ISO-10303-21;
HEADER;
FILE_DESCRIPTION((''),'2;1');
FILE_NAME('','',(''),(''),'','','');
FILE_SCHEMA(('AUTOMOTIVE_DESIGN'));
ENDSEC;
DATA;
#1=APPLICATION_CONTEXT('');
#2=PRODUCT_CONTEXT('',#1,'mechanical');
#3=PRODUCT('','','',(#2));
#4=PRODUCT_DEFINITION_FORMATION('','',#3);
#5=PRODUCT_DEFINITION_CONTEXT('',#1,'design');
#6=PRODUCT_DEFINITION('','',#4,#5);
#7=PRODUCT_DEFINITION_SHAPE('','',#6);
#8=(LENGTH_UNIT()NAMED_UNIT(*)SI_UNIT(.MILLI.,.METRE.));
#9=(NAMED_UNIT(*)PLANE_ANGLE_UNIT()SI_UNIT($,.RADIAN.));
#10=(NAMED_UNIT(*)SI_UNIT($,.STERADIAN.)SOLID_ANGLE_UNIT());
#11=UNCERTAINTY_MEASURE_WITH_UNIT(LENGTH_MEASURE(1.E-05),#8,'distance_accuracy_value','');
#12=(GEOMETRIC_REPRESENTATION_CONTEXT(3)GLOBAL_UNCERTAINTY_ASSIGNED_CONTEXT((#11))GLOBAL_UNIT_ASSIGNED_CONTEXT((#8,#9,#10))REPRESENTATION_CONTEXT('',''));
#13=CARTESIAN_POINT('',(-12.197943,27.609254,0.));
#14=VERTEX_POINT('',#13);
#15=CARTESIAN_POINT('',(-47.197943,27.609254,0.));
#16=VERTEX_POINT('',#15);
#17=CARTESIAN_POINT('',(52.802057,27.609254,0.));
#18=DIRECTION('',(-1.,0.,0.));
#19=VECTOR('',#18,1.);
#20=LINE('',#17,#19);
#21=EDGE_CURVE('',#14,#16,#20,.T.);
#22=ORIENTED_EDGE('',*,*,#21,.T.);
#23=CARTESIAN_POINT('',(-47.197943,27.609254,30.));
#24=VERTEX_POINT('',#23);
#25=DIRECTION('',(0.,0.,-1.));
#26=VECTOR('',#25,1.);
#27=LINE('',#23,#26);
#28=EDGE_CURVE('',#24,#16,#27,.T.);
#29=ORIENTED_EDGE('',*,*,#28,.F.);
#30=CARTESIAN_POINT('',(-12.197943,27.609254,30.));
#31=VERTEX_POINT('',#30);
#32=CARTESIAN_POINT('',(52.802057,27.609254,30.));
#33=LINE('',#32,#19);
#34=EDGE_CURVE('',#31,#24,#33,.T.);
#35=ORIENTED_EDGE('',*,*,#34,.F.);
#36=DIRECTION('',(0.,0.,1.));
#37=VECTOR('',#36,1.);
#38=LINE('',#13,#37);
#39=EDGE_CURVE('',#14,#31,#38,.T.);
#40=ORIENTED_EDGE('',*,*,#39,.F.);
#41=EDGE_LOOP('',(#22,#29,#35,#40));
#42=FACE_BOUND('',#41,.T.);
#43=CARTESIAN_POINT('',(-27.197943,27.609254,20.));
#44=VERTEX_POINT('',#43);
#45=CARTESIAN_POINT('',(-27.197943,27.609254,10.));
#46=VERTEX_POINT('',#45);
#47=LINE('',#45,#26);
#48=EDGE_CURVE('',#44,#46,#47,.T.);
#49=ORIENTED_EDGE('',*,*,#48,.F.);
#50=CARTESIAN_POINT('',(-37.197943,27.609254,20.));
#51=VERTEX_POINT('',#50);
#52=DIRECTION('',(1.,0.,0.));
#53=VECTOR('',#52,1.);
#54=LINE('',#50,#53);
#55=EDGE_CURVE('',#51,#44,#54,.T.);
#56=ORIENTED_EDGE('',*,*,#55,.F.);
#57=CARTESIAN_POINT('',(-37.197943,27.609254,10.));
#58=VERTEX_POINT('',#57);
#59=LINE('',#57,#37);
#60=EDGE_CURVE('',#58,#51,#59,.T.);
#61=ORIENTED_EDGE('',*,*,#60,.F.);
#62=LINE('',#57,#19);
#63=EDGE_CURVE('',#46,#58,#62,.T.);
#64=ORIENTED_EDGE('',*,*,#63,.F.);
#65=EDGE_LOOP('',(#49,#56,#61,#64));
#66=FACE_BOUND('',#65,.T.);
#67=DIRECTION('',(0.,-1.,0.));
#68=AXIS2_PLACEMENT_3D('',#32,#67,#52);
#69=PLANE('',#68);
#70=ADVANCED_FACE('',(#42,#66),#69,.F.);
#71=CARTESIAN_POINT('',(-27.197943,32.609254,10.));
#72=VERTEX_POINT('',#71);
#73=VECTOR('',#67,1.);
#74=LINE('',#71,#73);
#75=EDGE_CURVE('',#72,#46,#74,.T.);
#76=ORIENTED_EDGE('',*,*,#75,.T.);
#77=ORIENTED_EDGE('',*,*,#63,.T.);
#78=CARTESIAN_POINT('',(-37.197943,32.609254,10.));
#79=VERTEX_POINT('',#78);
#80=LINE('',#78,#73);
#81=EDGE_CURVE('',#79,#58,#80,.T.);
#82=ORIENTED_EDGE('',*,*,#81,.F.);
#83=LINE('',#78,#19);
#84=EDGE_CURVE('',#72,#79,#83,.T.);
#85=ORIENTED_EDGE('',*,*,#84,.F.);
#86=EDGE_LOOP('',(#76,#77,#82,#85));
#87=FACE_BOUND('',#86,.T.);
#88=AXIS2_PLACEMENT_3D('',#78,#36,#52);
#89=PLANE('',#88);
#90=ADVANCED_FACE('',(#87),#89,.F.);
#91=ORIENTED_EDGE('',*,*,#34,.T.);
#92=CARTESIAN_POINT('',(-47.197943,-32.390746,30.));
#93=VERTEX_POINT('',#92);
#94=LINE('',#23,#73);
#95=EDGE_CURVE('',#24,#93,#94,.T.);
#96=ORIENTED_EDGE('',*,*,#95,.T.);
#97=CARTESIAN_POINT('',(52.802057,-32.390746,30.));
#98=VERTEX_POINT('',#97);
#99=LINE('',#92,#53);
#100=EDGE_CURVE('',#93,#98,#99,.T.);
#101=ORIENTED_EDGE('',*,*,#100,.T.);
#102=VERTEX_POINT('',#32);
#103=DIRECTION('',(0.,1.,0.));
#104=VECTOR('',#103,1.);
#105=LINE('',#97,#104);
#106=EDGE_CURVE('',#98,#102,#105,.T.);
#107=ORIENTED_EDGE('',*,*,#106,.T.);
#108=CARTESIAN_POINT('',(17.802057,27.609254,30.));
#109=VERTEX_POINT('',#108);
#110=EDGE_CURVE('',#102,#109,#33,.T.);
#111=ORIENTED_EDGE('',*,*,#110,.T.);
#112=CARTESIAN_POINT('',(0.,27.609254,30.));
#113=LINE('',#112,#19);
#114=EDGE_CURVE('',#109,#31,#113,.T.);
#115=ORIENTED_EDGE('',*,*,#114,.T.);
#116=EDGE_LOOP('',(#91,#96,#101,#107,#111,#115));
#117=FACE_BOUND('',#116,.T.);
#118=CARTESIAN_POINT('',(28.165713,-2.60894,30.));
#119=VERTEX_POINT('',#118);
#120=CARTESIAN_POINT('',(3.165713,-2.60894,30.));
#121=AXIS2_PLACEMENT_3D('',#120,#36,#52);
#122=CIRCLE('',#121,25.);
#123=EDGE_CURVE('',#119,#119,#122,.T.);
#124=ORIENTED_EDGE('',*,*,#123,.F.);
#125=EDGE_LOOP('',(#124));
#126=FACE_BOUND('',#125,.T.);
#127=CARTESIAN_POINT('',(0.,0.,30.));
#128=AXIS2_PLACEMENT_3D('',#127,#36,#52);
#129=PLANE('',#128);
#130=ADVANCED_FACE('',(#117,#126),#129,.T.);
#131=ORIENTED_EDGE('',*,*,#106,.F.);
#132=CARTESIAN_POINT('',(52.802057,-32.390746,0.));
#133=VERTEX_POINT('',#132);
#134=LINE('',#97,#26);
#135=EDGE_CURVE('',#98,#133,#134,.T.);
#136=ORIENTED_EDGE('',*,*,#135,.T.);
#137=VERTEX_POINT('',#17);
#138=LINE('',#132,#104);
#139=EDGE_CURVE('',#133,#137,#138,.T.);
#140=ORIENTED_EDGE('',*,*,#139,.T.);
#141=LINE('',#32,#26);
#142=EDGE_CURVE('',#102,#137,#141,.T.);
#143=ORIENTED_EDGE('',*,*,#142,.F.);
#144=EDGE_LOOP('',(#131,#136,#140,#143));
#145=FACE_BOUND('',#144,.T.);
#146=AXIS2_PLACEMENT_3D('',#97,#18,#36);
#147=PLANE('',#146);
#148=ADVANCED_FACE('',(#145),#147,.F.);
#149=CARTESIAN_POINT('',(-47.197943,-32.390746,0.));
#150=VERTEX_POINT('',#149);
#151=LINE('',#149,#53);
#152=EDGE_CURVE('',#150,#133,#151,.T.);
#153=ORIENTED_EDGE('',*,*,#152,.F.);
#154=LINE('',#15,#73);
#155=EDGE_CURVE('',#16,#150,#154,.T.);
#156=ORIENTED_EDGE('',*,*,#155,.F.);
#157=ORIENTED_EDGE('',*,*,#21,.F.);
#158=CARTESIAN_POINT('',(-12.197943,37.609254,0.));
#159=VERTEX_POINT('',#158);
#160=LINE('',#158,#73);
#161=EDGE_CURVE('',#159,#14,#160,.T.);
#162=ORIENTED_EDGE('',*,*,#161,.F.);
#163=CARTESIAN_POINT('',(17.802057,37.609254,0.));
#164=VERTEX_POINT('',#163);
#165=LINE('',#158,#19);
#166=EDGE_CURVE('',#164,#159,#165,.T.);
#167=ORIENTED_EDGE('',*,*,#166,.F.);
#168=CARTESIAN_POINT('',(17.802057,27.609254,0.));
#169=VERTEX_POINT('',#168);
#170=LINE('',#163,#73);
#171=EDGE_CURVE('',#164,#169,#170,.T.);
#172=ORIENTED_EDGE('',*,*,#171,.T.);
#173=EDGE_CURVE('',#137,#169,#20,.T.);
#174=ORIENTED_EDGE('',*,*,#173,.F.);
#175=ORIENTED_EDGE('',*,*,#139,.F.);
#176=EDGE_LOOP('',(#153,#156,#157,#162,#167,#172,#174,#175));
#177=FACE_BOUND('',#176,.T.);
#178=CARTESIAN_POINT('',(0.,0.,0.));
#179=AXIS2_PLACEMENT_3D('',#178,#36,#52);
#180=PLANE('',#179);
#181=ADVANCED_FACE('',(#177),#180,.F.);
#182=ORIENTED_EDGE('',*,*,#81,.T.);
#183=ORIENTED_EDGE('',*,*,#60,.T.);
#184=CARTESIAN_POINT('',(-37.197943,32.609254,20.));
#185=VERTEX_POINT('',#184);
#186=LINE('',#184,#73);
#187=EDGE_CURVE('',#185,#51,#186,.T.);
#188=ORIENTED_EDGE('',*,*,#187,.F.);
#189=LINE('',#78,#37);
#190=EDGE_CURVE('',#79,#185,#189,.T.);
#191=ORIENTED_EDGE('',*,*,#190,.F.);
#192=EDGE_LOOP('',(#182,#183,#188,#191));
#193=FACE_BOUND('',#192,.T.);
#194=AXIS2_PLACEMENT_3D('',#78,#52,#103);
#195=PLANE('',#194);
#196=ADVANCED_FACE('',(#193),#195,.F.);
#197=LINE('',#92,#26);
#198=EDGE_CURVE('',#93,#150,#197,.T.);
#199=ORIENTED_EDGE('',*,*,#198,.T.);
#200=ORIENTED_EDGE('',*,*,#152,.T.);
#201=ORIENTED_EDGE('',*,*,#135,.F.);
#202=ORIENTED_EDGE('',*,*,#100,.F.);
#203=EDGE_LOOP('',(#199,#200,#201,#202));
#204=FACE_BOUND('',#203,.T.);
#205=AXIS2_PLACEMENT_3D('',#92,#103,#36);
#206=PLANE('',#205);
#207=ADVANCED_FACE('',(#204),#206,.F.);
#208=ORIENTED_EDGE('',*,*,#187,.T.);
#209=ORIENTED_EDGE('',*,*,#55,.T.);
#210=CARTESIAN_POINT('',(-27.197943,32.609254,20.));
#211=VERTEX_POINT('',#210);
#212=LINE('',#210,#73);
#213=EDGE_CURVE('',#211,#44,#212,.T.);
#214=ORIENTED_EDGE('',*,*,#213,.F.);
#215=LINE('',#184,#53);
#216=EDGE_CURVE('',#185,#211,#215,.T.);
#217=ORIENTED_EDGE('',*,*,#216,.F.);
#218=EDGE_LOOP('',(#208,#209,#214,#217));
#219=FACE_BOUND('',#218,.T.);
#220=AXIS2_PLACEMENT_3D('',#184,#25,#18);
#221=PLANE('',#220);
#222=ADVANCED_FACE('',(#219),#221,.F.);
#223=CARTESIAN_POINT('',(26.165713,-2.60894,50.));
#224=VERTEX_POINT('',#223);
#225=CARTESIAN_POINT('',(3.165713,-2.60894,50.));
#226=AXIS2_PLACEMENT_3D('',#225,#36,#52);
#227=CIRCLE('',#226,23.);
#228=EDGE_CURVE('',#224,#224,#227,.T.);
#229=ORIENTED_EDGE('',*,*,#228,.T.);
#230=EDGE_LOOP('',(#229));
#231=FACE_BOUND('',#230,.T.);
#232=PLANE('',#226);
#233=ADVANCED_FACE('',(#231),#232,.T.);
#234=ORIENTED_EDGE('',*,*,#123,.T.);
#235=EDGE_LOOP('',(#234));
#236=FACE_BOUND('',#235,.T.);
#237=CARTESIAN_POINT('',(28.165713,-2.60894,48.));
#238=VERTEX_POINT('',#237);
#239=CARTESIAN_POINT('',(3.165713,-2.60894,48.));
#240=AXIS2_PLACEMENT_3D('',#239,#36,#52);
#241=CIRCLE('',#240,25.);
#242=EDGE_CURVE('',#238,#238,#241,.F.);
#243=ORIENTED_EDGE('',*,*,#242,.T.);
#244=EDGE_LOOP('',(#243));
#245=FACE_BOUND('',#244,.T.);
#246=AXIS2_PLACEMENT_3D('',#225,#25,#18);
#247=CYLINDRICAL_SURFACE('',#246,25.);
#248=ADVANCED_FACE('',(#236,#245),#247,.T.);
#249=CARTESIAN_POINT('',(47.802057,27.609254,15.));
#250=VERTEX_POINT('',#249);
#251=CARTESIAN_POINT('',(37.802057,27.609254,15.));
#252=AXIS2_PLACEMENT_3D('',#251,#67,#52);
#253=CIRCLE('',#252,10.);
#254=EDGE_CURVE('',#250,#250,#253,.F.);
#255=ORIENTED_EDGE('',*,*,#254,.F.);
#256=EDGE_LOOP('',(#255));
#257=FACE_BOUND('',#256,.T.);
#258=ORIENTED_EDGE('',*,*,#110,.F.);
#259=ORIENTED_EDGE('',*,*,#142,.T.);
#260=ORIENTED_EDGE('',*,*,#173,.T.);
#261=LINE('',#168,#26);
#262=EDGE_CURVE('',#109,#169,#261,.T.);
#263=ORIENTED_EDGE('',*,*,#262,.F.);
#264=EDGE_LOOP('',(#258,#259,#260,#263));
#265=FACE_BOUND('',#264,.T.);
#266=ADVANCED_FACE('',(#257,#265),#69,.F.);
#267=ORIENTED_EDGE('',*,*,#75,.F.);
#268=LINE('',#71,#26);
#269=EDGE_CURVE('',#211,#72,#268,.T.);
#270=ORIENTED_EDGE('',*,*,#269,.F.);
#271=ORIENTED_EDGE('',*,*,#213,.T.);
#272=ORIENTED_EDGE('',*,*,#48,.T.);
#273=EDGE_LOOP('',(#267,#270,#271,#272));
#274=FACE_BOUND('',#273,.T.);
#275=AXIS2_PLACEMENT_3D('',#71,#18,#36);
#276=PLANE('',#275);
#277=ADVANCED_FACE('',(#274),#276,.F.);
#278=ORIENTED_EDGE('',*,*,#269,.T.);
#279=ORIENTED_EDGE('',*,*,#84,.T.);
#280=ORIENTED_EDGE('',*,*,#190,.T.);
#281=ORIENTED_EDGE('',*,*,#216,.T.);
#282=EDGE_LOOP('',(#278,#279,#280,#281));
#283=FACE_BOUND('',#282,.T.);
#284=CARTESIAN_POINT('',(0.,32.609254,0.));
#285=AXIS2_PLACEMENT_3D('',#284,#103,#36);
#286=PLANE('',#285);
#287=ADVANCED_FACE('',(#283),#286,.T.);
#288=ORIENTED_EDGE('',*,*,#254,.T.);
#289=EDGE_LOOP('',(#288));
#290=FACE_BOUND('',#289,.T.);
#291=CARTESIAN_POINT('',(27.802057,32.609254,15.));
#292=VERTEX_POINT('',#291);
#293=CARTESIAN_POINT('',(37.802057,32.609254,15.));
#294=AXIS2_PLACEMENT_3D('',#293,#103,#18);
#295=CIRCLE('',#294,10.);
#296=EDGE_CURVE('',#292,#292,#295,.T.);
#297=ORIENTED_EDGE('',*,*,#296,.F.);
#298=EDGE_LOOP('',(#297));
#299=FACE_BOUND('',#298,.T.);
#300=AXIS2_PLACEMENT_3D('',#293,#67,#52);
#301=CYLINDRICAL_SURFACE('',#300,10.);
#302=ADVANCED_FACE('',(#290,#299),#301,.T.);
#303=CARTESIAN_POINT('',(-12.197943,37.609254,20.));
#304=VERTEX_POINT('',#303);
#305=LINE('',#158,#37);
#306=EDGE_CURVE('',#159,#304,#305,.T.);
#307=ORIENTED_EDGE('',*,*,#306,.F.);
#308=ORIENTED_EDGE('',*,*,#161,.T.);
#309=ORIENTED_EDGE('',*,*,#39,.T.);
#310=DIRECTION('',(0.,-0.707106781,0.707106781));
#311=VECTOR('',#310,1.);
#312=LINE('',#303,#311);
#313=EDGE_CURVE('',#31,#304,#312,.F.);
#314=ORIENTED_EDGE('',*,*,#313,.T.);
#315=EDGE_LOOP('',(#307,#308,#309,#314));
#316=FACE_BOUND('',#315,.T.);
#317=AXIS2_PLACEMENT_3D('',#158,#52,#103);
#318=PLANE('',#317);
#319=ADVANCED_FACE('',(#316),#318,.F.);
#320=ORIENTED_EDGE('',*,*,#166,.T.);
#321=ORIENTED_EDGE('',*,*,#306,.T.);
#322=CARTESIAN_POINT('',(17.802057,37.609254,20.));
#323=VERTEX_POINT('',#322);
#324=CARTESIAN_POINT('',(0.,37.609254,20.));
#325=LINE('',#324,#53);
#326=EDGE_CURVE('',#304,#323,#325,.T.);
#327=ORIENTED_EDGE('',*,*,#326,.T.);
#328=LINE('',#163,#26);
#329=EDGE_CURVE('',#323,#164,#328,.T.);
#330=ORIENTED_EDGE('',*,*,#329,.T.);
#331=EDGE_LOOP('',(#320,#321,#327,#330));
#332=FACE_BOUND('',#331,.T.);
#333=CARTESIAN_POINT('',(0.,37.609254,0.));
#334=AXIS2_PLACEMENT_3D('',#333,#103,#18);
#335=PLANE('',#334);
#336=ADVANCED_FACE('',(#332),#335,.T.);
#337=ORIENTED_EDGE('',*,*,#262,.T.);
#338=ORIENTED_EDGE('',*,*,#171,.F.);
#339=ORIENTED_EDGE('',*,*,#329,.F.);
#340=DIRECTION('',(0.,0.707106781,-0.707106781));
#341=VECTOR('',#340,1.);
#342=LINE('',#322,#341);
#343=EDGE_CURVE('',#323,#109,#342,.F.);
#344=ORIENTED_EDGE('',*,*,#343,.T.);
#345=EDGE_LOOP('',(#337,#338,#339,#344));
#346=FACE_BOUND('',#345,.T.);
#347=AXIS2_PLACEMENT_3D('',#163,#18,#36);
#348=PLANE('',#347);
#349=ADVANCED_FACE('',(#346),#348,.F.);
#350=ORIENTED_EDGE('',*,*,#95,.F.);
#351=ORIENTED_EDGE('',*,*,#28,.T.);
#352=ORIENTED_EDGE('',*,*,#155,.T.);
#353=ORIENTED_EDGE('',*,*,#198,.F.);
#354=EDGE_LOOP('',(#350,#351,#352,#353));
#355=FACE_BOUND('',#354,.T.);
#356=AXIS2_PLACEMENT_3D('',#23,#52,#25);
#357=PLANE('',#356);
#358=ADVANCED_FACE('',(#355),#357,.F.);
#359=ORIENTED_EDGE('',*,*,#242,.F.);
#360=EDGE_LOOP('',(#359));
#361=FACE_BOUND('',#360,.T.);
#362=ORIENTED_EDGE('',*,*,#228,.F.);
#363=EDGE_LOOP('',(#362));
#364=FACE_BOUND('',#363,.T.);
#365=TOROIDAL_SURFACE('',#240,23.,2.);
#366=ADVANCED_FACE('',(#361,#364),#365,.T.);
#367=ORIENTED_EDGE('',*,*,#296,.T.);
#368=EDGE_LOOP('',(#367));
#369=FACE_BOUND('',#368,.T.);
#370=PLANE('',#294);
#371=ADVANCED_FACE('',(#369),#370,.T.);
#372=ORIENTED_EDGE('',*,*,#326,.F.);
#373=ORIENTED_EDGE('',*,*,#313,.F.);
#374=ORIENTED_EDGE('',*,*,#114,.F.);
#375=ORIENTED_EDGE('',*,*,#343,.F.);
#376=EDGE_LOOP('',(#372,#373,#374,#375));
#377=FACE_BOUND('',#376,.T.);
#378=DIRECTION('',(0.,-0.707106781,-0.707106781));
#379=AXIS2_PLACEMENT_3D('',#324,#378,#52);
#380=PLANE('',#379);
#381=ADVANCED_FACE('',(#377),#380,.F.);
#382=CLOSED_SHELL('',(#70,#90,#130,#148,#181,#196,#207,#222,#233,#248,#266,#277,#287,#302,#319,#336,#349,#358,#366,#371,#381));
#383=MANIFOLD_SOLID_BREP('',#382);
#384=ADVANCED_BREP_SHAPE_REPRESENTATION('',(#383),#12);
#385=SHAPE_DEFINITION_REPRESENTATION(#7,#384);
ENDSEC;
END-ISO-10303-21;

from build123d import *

# Parameters (mm, degrees)
SKETCH2_W           = 100
SKETCH2_H           = 60
BOSS_EXTRUDE1_DEPTH = 30
SKETCH4_R           = 25
BOSS_EXTRUDE2_DEPTH = 20
SKETCH6_R           = 10
SKETCH6_W           = 10
SKETCH6_H           = 10
BOSS_EXTRUDE3_DEPTH = 5
SKETCH8_W           = 30
SKETCH8_H           = 30
BOSS_EXTRUDE4_DEPTH = 10
CHAMFER2_SIZE       = 10
FILLET1_R           = 2


with BuildPart() as part:
    # Sketch2 → Boss-Extrude1 (new body)
    with BuildSketch(Plane.XY):
        with Locations((2.802056555, -2.390745501)):
            Rectangle(SKETCH2_W, SKETCH2_H)
    extrude(amount=BOSS_EXTRUDE1_DEPTH)

    # Sketch4 → Boss-Extrude2 (add)
    with BuildSketch(Plane.XY.offset(30)):
        with Locations((3.165713288, -2.608939541)):
            Circle(SKETCH4_R)
    extrude(amount=BOSS_EXTRUDE2_DEPTH)

    # Sketch6 → Boss-Extrude3 (add)
    with BuildSketch(Plane(origin=(0, 27.609254499, 0), x_dir=(1, 0, 0), z_dir=(0, 1, 0))):
        with Locations((37.802056555, -15)):
            Circle(SKETCH6_R)
        with Locations((-32.197943445, -15)):
            Rectangle(SKETCH6_W, SKETCH6_H)
    extrude(amount=BOSS_EXTRUDE3_DEPTH)

    # Sketch8 → Boss-Extrude4 (add)
    with BuildSketch(Plane(origin=(0, 27.609254499, 0), x_dir=(1, 0, 0), z_dir=(0, 1, 0))):
        with Locations((2.802056555, -15)):
            Rectangle(SKETCH8_W, SKETCH8_H)
    extrude(amount=BOSS_EXTRUDE4_DEPTH)

    # Chamfer2
    chamfer2_edges = [part.edges().sort_by_distance(p)[0] for p in [
        (2.802056555, 37.609254499, 30),
    ]]
    chamfer(chamfer2_edges, length=CHAMFER2_SIZE)

    # Fillet1
    fillet1_edges = [part.edges().sort_by_distance(p)[0] for p in [
        (-21.834286712, -2.608939541, 50),
    ]]
    fillet(fillet1_edges, radius=FILLET1_R)


solid = part.part
